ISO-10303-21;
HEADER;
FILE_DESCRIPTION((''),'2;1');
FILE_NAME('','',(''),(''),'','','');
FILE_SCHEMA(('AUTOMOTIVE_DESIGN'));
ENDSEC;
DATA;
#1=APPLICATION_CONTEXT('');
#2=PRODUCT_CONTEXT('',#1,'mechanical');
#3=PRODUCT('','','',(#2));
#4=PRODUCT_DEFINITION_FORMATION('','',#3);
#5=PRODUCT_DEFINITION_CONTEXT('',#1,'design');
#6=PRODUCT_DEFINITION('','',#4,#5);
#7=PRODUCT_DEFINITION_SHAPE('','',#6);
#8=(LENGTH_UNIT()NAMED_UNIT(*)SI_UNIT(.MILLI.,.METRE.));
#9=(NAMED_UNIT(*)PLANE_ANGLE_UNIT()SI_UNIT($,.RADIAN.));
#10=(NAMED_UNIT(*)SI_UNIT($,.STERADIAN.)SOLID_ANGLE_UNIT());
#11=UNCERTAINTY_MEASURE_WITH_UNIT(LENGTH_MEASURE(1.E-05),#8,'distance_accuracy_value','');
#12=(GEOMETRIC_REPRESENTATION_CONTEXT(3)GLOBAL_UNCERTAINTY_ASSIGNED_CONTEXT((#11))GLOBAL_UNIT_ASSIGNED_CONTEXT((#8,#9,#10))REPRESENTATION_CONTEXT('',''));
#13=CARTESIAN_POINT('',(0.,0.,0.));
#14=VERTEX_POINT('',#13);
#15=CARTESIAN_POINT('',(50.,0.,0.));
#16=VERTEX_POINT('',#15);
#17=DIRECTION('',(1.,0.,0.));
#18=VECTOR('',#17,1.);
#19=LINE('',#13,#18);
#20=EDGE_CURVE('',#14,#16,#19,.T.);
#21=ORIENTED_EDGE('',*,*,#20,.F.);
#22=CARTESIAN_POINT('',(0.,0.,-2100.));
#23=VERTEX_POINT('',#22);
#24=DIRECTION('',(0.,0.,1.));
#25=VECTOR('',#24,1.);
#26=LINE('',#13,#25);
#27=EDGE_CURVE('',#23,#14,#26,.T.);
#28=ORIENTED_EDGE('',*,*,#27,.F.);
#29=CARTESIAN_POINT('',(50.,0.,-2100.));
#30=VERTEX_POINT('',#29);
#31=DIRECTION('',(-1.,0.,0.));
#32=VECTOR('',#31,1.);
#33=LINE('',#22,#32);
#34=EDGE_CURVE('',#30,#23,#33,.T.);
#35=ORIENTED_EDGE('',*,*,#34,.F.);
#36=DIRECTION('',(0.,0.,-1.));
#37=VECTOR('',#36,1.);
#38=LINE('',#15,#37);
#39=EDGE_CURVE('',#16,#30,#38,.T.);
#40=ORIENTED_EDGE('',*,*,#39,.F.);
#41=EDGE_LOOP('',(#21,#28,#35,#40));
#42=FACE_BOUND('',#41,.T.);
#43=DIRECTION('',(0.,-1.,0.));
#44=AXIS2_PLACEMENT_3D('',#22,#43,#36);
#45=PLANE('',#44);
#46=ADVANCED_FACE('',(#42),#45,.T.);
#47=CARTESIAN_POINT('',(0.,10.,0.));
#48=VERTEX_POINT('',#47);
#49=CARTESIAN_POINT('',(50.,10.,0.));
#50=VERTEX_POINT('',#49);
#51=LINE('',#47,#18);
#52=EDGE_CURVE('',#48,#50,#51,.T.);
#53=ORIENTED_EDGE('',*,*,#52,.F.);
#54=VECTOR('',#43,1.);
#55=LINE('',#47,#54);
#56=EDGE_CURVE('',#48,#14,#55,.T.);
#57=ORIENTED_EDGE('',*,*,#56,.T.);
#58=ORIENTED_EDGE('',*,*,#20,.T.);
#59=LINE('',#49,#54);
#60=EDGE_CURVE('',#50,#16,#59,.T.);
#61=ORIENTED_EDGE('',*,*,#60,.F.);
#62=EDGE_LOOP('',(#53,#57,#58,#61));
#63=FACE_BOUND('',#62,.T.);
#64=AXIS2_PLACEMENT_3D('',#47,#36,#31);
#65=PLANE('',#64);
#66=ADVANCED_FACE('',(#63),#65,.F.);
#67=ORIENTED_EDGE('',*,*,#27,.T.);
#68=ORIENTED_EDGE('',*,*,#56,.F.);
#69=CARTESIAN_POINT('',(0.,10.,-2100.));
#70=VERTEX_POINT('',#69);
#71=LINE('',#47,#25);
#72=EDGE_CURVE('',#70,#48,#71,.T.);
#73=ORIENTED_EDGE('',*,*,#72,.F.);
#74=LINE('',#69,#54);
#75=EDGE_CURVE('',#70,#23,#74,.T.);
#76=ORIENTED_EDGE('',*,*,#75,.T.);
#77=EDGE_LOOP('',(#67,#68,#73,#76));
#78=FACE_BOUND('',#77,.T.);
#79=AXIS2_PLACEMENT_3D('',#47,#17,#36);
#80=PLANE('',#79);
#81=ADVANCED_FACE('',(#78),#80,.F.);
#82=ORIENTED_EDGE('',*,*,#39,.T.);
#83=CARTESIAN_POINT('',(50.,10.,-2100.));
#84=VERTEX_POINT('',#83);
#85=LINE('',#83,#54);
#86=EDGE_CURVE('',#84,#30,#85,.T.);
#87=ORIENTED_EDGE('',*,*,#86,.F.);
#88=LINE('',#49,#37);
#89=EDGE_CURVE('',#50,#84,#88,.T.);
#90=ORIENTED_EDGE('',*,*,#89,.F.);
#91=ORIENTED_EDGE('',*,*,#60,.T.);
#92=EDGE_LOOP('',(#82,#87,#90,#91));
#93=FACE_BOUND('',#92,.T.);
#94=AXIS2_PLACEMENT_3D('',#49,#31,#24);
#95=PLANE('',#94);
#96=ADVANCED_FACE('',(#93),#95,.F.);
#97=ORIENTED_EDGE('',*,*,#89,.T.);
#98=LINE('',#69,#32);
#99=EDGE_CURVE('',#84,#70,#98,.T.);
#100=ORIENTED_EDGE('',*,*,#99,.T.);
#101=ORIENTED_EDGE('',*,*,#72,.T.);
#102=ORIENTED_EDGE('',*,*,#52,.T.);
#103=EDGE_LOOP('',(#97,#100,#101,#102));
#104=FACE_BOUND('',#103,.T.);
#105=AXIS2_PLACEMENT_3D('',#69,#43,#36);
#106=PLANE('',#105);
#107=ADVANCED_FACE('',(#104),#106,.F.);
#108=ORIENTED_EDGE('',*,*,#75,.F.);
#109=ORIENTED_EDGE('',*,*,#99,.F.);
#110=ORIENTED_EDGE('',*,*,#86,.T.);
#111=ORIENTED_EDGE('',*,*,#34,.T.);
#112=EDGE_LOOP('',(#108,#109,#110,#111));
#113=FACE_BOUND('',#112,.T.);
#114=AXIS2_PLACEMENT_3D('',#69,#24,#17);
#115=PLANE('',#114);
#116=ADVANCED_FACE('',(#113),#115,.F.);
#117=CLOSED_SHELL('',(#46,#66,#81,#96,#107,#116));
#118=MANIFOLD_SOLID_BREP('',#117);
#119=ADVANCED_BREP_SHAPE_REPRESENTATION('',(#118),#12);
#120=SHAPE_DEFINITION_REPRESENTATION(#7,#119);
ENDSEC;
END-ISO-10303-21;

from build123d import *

# Parameters (mm, degrees)
ESQUISSE1_W      = 50
ESQUISSE1_H      = 2100
EXTRUSION1_DEPTH = 10


with BuildPart() as part:
    # Esquisse1 → Extrusion1 (new body)
    with BuildSketch(Plane(origin=(0, 0, 0), x_dir=(1, 0, 0), z_dir=(0, 1, 0))):
        with Locations((25, 1050)):
            Rectangle(ESQUISSE1_W, ESQUISSE1_H)
    extrude(amount=EXTRUSION1_DEPTH)


solid = part.part
